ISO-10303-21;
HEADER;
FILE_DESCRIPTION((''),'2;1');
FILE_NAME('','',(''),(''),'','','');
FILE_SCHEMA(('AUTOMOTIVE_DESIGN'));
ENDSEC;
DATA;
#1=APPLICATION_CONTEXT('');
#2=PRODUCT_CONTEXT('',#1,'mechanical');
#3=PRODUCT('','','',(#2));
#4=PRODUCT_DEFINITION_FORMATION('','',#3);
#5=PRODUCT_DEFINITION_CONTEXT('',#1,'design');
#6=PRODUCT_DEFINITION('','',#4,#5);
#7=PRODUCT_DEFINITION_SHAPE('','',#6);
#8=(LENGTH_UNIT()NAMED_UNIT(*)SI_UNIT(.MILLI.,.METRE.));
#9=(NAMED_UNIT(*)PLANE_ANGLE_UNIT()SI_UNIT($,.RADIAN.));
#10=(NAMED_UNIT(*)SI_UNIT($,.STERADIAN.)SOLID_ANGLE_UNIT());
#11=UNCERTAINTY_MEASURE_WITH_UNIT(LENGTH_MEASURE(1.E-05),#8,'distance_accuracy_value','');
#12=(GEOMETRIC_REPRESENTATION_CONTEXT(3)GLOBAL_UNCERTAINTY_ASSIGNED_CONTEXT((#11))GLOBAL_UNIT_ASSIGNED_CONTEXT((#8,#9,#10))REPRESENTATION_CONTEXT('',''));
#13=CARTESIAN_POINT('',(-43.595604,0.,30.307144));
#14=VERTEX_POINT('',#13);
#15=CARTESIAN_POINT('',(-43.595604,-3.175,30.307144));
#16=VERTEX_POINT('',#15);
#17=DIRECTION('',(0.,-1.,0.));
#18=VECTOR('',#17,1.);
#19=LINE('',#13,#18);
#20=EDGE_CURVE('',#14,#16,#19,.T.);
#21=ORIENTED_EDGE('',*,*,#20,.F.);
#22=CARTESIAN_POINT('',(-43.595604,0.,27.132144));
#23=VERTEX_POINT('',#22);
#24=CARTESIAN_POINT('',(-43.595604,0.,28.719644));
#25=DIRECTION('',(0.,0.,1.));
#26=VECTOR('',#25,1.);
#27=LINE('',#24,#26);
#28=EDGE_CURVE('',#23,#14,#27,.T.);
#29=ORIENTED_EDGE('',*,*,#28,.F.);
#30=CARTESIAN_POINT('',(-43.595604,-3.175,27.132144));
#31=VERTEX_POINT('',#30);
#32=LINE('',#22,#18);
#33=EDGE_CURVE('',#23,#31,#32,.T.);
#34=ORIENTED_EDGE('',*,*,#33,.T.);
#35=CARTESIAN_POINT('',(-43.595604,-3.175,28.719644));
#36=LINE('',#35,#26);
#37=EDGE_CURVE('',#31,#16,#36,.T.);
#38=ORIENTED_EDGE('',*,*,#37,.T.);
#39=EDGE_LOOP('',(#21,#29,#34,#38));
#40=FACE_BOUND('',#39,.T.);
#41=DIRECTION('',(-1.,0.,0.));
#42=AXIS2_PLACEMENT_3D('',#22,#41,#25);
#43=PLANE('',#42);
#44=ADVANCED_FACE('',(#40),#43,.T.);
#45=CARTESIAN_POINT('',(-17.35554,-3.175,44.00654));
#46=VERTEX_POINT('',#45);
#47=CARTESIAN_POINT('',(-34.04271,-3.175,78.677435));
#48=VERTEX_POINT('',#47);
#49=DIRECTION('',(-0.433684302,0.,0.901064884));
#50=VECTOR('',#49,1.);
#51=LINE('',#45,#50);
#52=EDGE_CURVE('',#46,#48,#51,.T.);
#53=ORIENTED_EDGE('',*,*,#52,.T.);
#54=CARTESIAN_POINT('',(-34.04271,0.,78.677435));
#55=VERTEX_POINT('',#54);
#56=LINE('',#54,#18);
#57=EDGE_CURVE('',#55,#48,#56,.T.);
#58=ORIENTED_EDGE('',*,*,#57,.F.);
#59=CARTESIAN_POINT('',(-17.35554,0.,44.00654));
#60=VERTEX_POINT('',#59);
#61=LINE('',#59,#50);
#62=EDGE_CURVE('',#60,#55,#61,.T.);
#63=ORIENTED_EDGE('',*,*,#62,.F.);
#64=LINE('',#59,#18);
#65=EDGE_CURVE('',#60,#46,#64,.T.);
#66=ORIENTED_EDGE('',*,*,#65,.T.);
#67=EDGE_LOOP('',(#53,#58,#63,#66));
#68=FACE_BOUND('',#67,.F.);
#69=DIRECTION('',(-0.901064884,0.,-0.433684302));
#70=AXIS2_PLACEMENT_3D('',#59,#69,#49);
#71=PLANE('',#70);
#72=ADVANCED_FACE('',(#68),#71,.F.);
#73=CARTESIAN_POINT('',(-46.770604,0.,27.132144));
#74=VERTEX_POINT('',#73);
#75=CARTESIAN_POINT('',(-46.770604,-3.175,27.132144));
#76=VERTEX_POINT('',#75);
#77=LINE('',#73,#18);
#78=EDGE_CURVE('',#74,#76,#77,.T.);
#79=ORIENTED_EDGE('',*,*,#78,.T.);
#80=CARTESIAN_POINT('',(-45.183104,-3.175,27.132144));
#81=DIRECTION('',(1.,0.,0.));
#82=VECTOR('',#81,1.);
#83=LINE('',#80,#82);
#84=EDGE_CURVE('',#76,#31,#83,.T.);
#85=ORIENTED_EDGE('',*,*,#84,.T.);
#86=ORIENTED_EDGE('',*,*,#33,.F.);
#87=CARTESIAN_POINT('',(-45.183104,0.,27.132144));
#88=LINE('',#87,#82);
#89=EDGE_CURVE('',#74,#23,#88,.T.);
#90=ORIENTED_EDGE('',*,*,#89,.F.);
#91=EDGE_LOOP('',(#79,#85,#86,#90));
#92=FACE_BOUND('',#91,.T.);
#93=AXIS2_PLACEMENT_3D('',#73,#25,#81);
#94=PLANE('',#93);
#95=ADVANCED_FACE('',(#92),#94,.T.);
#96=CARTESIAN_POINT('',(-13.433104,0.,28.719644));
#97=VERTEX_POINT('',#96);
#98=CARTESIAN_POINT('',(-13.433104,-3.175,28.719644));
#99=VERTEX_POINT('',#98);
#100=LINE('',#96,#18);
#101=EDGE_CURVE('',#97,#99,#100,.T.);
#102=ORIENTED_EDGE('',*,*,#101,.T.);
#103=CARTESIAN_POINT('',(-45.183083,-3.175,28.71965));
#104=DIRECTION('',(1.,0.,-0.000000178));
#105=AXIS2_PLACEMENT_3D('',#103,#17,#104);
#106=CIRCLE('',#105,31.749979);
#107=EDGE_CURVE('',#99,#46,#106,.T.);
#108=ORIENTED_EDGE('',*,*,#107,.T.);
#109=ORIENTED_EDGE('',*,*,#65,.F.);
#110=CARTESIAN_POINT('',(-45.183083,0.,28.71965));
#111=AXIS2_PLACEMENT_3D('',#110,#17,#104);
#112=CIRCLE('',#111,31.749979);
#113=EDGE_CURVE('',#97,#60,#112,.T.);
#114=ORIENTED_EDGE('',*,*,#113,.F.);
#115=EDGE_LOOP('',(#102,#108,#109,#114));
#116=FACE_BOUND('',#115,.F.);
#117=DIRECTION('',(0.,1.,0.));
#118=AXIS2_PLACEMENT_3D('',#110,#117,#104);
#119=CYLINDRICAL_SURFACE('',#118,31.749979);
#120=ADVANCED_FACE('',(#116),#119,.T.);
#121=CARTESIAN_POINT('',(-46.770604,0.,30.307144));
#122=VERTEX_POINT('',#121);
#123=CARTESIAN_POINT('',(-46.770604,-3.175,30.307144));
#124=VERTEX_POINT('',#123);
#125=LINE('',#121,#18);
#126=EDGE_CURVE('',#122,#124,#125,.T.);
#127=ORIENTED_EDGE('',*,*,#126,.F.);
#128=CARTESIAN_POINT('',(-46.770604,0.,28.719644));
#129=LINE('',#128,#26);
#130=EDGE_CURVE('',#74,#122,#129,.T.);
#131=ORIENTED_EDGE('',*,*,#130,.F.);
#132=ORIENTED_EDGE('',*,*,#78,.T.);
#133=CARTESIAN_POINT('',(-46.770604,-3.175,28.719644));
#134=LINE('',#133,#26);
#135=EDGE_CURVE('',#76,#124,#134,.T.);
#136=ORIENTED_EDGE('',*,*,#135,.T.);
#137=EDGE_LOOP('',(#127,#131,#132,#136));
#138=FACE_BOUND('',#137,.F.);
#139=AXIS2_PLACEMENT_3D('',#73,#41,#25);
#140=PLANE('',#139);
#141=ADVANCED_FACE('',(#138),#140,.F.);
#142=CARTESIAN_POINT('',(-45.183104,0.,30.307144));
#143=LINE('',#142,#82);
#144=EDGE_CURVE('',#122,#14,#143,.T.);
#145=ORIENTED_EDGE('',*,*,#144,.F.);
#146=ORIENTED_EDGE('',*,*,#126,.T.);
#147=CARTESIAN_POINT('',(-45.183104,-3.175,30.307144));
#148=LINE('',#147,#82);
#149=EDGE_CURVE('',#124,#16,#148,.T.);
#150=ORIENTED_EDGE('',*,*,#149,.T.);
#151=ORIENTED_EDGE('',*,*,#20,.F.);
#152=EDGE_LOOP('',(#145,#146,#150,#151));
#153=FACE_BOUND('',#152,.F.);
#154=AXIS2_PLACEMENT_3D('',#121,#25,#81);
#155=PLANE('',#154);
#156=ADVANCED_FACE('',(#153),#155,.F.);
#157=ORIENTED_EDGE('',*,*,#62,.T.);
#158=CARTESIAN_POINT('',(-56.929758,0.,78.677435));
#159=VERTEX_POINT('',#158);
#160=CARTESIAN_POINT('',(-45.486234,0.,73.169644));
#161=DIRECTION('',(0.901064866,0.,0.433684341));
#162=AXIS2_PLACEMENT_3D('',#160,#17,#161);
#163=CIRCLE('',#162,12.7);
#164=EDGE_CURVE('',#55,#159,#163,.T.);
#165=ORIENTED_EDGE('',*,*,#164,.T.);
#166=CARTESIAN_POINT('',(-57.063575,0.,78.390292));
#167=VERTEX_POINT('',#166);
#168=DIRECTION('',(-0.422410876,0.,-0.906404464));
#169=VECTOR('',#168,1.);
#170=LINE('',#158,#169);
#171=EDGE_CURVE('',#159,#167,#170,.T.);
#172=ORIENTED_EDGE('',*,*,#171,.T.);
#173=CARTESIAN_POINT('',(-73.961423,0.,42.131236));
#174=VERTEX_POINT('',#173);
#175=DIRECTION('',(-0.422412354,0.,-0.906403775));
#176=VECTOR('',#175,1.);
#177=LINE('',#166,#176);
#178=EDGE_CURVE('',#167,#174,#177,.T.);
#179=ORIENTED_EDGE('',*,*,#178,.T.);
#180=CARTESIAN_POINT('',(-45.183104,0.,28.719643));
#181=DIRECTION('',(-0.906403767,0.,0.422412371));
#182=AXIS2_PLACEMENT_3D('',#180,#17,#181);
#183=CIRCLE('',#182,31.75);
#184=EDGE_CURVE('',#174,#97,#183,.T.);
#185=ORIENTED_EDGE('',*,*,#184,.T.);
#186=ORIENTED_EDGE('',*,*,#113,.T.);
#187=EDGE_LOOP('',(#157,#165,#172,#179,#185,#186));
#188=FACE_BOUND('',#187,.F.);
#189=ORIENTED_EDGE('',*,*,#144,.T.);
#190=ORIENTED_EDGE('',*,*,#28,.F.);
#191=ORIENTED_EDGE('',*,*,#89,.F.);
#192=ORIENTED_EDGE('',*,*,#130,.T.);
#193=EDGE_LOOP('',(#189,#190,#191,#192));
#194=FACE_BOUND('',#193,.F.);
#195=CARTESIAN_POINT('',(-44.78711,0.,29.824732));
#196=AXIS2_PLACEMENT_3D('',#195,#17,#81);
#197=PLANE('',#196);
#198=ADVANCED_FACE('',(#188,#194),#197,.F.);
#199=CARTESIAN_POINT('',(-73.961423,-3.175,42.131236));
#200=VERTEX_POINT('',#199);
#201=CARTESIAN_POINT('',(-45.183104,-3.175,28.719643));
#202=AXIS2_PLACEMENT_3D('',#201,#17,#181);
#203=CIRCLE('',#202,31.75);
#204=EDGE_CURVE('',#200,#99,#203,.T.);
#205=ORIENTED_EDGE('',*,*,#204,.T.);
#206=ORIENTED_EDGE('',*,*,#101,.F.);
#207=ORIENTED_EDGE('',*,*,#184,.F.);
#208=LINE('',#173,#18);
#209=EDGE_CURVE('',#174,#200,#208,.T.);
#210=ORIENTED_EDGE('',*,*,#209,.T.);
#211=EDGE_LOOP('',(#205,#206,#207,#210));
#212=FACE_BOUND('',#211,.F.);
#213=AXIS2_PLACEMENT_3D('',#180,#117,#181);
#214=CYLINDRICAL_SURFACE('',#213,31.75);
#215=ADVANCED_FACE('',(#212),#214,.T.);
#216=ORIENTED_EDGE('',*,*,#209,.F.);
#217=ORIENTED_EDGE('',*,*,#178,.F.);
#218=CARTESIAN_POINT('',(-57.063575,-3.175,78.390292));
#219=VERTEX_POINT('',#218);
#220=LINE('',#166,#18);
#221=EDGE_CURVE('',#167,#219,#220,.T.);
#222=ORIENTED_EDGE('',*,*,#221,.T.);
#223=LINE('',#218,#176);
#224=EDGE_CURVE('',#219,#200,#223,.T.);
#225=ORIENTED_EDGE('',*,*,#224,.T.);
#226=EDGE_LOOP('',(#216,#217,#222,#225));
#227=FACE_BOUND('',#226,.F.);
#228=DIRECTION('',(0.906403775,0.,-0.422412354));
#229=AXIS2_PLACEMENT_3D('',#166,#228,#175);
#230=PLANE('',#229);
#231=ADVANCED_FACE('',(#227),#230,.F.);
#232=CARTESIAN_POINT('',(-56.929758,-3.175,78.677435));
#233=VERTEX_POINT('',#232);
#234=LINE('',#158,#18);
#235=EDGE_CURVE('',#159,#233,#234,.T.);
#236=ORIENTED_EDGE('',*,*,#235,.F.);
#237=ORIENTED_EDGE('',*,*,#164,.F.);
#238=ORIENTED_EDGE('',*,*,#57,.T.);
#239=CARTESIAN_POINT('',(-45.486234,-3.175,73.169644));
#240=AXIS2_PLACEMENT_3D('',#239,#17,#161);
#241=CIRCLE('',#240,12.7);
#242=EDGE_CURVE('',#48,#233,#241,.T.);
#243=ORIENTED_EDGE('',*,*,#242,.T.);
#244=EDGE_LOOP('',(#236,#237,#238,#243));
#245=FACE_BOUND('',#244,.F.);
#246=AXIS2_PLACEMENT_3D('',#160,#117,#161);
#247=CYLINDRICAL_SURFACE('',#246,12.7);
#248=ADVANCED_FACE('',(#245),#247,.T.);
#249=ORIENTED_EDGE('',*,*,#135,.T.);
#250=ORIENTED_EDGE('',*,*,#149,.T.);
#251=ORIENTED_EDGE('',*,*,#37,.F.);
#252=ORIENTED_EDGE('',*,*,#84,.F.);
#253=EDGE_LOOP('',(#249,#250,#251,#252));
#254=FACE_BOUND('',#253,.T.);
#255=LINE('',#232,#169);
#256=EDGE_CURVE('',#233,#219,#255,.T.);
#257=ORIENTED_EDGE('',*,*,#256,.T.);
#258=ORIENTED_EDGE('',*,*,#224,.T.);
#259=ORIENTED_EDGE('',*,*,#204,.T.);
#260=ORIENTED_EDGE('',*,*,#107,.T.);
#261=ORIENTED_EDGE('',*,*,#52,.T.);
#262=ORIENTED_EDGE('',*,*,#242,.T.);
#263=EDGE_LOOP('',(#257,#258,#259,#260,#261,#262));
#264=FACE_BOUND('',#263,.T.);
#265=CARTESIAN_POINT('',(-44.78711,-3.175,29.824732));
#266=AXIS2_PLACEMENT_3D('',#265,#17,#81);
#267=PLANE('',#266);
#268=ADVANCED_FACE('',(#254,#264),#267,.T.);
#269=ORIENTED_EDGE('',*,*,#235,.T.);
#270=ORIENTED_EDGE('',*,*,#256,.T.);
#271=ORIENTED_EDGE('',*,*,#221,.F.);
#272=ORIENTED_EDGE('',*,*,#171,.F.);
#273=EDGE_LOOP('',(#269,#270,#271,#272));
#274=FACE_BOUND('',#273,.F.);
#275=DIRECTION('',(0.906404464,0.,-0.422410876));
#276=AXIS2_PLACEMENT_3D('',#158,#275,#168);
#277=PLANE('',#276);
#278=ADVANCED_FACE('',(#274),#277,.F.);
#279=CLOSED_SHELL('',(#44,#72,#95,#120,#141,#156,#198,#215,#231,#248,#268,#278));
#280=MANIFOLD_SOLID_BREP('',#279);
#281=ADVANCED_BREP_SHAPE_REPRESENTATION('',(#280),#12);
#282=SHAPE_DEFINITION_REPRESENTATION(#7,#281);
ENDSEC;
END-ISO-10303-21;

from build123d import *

# Parameters (mm, degrees)
F0_W     = 3.175
F0_H     = 3.175
F1_DEPTH = 3.175


with BuildPart() as f1:
    # F0 (on Front) → F1 (new body)
    with BuildSketch(Plane.XZ):
        with BuildLine():
            ThreePointArc((-73.961423, 42.131236), (-52.05154, -2.278535), (-13.433104, 28.719644))
            ThreePointArc((-13.433104, 28.719644), (-14.429342, 36.610694), (-17.35554, 44.00654))
            ThreePointArc((-17.35554, 44.00654), (-46.234377, 60.452235), (-73.961423, 42.131236))
        make_face()
        with Locations((-45.183104, 28.719644)):
            Rectangle(F0_W, F0_H, mode=Mode.SUBTRACT)
        with BuildLine():
            ThreePointArc((-73.961423, 42.131236), (-46.234377, 60.452235), (-17.35554, 44.00654))
            Line((-17.35554, 44.00654), (-34.04271, 78.677435))
            ThreePointArc((-34.04271, 78.677435), (-33.104337, 75.99429), (-32.786234, 73.169644))
            ThreePointArc((-32.786234, 73.169644), (-48.156231, 60.753481), (-57.063575, 78.390292))
            Line((-57.063575, 78.390292), (-73.961423, 42.131236))
        make_face()
        with BuildLine():
            ThreePointArc((-32.786234, 73.169644), (-33.104337, 75.99429), (-34.04271, 78.677435))
            Line((-34.04271, 78.677435), (-56.929758, 78.677435))
            Line((-56.929758, 78.677435), (-57.063575, 78.390292))
            ThreePointArc((-57.063575, 78.390292), (-48.156231, 60.753481), (-32.786234, 73.169644))
        make_face()
        with BuildLine():
            Line((-56.929758, 78.677435), (-34.04271, 78.677435))
            ThreePointArc((-34.04271, 78.677435), (-45.486234, 85.869644), (-56.929758, 78.677435))
        make_face()
    extrude(amount=F1_DEPTH)


solid = f1.part
